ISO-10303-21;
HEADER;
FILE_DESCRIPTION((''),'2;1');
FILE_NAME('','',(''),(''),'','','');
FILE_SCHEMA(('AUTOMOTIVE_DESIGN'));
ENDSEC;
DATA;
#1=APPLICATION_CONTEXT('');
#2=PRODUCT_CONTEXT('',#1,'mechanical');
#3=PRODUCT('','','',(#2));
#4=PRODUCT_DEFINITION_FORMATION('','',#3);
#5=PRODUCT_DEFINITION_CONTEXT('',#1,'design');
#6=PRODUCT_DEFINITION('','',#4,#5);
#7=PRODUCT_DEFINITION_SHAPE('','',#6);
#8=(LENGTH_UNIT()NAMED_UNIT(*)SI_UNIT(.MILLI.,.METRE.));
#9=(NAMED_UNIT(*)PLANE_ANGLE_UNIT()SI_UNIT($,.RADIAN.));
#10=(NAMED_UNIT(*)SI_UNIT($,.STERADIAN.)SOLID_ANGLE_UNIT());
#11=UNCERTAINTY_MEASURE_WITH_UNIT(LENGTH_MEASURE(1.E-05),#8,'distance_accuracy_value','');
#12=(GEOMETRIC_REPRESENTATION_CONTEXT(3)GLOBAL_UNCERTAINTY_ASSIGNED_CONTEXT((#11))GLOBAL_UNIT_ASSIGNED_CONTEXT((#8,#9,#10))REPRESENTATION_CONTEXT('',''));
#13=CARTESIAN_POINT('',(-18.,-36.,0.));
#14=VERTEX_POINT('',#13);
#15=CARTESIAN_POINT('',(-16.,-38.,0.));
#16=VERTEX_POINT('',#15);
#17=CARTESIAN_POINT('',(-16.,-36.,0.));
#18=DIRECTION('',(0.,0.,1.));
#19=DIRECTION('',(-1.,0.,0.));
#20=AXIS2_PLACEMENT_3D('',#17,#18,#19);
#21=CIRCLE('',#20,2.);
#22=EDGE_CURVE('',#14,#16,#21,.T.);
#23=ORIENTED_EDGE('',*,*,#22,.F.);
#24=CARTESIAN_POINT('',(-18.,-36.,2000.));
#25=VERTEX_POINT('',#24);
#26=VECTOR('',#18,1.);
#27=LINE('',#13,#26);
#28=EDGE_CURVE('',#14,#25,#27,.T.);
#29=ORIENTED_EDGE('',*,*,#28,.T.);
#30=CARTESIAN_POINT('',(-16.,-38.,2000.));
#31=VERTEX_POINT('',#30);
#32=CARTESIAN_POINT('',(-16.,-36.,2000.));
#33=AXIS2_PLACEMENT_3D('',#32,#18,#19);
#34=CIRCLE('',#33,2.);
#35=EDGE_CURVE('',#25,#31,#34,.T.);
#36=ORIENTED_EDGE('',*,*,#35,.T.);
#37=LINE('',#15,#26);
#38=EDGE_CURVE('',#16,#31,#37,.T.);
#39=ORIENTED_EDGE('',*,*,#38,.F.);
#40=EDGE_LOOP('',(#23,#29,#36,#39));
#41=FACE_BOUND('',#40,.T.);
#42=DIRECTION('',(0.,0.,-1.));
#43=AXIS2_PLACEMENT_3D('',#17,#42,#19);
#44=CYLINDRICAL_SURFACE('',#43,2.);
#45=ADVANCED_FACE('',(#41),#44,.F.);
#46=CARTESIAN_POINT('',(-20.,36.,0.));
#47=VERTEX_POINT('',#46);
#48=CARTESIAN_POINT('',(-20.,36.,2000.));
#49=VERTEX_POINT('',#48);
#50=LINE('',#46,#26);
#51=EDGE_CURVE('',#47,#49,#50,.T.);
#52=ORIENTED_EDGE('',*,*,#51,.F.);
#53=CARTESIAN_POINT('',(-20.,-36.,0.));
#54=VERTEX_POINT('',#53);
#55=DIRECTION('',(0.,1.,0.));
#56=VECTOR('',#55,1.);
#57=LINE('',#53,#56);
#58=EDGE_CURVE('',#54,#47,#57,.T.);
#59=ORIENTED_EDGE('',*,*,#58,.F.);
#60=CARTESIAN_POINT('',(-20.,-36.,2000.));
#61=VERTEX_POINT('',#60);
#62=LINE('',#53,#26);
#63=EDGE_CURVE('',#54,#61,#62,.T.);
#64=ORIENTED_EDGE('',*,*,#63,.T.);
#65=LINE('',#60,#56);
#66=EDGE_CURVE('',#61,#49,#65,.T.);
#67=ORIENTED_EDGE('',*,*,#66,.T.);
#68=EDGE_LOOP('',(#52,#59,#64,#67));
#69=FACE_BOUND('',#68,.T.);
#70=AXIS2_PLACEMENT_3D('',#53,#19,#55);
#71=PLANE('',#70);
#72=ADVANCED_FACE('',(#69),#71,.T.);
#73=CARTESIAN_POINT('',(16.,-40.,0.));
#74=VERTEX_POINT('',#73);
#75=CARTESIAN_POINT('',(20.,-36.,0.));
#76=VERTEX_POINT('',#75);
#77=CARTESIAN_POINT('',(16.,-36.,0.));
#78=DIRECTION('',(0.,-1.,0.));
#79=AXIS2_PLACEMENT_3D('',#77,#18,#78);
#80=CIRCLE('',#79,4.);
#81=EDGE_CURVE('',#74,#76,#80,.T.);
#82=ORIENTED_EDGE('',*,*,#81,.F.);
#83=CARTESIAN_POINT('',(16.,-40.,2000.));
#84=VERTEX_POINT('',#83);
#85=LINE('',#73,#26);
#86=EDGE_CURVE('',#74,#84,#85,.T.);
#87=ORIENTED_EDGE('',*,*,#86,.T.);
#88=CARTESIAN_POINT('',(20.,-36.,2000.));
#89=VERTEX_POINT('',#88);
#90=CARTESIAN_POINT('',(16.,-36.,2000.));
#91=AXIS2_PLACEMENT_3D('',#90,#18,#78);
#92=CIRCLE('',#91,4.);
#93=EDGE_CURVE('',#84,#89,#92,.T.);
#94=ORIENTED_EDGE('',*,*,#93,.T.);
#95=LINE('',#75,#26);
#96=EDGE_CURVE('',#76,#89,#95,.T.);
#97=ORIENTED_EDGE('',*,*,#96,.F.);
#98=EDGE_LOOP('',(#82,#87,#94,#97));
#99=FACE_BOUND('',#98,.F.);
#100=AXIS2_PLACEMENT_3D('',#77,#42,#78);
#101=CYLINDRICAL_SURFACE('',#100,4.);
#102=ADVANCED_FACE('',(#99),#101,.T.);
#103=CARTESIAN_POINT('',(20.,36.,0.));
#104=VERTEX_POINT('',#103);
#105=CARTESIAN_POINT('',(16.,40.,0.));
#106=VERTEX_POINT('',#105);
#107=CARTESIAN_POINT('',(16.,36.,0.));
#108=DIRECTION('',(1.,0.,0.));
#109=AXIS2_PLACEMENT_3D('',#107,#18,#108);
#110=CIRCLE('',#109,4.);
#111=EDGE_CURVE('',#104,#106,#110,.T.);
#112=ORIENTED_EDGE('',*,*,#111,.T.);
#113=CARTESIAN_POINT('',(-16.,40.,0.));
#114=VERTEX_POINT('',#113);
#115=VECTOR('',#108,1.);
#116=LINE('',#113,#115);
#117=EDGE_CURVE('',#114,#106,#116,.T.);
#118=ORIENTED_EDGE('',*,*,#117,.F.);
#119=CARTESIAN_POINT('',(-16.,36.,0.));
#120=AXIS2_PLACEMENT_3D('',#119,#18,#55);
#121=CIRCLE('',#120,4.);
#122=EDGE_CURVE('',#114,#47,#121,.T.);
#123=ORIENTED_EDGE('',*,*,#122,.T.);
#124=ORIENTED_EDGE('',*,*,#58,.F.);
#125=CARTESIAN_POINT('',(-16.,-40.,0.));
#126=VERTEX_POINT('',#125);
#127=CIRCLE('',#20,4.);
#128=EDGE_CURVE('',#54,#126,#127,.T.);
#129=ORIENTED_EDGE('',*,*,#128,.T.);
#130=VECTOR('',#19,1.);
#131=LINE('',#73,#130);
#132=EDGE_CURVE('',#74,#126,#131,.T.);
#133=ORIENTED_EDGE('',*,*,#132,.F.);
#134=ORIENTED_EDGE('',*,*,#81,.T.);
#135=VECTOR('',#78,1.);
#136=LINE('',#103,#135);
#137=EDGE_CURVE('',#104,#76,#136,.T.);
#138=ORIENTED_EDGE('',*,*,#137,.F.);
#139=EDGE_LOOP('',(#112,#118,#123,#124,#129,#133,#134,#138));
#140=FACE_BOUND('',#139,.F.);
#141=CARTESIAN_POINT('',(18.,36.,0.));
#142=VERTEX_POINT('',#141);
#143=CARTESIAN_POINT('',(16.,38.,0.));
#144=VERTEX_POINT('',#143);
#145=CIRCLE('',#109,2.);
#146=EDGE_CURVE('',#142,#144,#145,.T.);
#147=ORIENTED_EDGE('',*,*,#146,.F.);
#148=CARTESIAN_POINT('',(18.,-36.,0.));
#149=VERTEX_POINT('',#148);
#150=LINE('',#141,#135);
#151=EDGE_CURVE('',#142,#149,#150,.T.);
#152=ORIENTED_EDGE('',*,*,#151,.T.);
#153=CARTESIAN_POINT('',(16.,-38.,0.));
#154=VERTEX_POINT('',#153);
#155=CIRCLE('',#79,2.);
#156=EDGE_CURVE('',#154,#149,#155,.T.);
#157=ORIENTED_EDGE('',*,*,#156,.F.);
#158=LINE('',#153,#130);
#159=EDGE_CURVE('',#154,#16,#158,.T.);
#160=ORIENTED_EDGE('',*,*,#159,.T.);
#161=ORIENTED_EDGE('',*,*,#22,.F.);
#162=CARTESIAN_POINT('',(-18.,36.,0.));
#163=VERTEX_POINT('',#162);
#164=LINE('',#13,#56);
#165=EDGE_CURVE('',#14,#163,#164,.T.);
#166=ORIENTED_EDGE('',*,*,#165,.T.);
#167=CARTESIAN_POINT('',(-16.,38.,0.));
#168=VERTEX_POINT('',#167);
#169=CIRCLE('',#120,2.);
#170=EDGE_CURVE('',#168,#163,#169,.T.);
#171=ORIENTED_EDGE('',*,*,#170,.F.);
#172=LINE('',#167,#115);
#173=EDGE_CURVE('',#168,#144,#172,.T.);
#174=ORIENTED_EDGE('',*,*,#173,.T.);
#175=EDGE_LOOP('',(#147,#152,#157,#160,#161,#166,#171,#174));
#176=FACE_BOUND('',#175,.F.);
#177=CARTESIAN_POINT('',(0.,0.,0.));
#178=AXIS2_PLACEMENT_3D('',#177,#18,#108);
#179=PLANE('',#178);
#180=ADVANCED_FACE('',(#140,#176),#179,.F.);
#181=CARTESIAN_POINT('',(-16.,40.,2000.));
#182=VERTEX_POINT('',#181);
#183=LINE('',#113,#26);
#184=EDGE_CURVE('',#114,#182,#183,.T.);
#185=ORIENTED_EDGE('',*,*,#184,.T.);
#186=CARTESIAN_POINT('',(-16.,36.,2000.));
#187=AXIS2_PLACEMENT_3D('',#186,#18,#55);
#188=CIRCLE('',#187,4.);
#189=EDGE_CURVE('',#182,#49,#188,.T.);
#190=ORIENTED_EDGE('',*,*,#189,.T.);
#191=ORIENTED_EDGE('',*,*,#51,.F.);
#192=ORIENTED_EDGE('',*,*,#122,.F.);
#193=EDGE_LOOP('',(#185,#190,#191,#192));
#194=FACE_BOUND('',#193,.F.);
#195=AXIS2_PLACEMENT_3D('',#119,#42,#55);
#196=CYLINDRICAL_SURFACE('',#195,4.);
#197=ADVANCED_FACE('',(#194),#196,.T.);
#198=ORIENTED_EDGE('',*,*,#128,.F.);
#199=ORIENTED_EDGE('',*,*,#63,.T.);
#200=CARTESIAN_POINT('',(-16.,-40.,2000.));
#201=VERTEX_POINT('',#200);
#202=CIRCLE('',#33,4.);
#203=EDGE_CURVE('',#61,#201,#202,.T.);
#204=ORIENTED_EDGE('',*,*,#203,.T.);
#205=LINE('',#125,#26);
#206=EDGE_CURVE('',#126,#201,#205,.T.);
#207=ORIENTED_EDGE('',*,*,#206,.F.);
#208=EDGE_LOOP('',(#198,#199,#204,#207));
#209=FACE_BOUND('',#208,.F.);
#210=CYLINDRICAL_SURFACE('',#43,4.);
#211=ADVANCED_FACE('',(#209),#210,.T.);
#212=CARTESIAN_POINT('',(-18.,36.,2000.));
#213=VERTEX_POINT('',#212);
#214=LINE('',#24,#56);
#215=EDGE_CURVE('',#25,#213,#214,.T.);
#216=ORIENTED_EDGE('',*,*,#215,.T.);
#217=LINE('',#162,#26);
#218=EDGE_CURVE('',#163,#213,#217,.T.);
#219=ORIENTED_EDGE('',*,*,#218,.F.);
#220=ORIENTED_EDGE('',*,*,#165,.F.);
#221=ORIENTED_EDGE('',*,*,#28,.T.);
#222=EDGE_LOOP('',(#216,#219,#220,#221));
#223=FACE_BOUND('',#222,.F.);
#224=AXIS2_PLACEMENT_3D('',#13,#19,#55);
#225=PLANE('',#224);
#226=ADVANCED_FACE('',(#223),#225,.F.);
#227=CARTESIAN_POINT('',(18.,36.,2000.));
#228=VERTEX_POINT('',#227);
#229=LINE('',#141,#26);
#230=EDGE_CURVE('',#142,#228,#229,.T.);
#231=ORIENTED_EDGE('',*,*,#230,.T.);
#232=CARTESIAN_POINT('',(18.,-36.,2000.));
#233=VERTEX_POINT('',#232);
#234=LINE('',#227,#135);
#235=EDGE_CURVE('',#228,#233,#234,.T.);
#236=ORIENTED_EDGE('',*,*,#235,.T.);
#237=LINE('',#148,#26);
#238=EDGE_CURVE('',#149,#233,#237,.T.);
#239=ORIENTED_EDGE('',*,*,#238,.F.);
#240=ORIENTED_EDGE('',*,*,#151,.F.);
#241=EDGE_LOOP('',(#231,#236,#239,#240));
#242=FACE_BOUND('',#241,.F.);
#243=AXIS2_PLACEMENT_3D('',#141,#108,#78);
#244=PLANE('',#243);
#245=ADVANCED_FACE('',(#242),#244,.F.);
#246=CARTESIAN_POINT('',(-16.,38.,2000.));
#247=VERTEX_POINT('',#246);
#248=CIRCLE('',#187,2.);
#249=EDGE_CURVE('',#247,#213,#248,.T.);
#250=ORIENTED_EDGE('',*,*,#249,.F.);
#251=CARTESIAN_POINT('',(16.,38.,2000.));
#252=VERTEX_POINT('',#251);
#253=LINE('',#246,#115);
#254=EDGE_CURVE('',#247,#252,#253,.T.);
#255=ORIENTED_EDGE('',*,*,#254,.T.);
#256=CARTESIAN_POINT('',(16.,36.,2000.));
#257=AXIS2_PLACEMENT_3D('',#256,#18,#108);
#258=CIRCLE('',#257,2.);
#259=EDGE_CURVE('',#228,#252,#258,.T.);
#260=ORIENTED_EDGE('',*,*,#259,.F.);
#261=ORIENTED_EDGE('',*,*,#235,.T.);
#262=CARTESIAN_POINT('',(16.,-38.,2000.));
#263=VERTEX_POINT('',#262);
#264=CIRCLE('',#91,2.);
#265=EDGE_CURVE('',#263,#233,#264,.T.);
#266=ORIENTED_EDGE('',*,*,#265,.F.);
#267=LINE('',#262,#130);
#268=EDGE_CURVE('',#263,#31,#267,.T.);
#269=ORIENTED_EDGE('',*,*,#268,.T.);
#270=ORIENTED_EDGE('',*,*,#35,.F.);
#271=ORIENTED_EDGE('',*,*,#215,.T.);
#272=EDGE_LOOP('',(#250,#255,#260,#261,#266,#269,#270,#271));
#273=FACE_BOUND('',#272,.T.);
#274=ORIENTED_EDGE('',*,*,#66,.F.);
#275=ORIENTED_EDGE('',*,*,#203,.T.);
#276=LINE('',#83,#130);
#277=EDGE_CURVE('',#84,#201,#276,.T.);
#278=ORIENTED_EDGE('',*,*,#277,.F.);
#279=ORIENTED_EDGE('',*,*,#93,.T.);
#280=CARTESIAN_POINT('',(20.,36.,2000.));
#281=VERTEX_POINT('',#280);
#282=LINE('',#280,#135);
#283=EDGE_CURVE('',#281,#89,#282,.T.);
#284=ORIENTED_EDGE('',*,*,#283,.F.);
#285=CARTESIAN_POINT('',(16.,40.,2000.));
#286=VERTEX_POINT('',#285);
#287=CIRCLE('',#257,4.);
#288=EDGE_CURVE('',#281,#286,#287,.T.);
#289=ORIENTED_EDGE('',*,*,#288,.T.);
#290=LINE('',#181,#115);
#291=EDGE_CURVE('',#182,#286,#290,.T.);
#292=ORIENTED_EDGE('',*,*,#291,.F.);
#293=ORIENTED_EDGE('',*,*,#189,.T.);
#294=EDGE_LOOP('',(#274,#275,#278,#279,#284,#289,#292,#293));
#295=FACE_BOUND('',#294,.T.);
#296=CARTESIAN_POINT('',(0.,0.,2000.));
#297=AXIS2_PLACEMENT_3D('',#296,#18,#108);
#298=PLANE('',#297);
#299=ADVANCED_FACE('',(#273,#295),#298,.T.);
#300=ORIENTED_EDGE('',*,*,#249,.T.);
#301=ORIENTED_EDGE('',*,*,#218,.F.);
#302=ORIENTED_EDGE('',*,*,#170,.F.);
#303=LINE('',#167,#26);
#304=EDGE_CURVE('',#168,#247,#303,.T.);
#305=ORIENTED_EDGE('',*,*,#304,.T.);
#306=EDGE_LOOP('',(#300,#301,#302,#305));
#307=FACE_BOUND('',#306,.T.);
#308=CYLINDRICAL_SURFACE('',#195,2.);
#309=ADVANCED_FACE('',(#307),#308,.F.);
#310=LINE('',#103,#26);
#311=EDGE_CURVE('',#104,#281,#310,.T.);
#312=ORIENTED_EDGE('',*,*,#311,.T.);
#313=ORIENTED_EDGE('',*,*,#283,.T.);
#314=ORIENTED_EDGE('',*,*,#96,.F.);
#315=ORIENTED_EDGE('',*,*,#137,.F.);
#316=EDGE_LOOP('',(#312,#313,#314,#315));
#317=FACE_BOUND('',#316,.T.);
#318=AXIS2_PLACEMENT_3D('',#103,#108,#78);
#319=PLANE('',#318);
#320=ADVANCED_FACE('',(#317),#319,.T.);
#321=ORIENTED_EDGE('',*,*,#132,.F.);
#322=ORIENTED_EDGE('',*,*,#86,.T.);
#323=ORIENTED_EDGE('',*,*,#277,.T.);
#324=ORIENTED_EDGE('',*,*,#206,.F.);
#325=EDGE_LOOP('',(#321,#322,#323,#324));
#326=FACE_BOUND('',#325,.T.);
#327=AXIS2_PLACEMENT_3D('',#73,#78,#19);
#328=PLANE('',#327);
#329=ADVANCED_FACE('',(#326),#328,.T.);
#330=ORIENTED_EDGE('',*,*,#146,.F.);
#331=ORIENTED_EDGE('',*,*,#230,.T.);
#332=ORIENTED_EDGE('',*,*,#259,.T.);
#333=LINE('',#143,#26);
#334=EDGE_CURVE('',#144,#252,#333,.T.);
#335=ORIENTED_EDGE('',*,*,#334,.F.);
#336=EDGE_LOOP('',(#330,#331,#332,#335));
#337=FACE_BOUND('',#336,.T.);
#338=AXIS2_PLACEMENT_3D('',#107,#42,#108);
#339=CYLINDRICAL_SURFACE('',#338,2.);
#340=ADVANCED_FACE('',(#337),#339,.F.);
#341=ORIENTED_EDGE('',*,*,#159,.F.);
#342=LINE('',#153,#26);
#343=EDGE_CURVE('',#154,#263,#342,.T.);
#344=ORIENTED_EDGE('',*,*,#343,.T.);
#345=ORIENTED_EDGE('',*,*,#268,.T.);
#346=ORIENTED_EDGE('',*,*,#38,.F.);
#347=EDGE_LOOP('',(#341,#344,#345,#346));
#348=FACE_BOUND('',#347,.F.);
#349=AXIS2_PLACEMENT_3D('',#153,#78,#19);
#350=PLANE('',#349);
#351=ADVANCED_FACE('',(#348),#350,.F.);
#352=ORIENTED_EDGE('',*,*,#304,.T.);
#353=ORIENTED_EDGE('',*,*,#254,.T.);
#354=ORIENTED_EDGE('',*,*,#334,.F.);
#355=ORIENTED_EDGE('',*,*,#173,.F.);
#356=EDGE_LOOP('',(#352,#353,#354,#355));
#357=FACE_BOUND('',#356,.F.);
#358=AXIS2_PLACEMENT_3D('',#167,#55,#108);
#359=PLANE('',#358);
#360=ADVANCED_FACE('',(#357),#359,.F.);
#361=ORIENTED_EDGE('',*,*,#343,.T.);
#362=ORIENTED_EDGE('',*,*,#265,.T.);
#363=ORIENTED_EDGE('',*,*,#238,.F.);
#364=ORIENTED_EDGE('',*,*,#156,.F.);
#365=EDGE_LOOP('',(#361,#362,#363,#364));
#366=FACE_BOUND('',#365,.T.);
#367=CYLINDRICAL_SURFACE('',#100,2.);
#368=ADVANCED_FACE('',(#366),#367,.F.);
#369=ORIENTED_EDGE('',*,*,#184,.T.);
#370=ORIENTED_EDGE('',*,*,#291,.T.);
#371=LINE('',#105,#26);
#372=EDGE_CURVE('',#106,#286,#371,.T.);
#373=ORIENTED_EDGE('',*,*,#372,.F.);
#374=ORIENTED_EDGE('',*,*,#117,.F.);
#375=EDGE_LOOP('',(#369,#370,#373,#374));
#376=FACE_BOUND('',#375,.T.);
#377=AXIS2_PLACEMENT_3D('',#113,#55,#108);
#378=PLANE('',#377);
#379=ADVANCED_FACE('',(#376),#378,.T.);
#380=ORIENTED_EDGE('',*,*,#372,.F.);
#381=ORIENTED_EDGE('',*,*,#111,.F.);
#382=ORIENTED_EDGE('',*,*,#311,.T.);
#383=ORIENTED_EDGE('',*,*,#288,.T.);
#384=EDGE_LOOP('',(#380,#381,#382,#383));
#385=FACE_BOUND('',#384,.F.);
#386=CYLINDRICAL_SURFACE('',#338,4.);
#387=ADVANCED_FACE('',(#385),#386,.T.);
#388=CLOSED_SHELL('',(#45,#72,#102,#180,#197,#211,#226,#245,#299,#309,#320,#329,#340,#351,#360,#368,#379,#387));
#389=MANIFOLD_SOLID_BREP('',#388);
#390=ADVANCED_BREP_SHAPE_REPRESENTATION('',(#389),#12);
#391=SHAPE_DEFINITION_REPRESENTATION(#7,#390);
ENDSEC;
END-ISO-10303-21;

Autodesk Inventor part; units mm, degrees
ref_plane "YZ Plane" through (0, 0, 0) normal (1, 0, 0) x (0, 1, 0)
ref_plane "Start Plane" through (0, 0, 0) normal (0, 0, 1) x (1, 0, 0)
ref_plane "End Plane" through (0, 0, 2000) normal (0, 0, 1) x (1, 0, 0)
sketch "Sketch" plane through (0, 0, 0) normal (0, 0, 1) x (1, 0, 0)
  line L0 (-20, -36) -> (-20, 36)
  line L1 (-16, 40) -> (16, 40)
  line L2 (20, 36) -> (20, -36)
  line L3 (16, -40) -> (-16, -40)
  arc A0 (-20, -36) -> (-16, -40) centre (-16, -36) ccw
  arc A1 (20, 36) -> (16, 40) centre (16, 36) ccw
  arc A2 (-16, 40) -> (-20, 36) centre (-16, 36) ccw
  arc A3 (16, -40) -> (20, -36) centre (16, -36) ccw
  arc A4 (-16, 38) -> (-18, 36) centre (-16, 36) ccw
  line L4 (-16, 38) -> (16, 38)
  arc A5 (18, 36) -> (16, 38) centre (16, 36) ccw
  line L5 (18, 36) -> (18, -36)
  arc A6 (16, -38) -> (18, -36) centre (16, -36) ccw
  line L6 (16, -38) -> (-16, -38)
  arc A7 (-18, -36) -> (-16, -38) centre (-16, -36) ccw
  line L7 (-18, -36) -> (-18, 36)
  line L8 (0, 57.1598) -> (0, -57.1598) construction
  line L9 (-29.1598, 0) -> (29.1598, 0) construction
  dimension "d7" = 4
  dimension "d9" = 40
  dimension "d11" = 80
  dimension "d12" = 2
  dimension "d15" = 20
  dimension "d16" = 40
extrude "Body" add sketch "Sketch" along normal up to surface (2000 mm away) from surface at 0
sketch "Sketch3" plane through (0, 0, 0) normal (0, 0, 1) x (1, 0, 0)
  line L0 (0, 0) -> (10, 0)
ref_plane "Work Plane3" through (0, 0, 0) normal (0, -1, 0) x (1, 0, 0)
sketch "Sketch4" plane through (0, 0, 0) normal (0, -1, 0) x (1, 0, 0)
  line L0 (-2, 0) -> (12, 0) projected
  line L1 (-2, 2000) -> (12, 2000) projected
  dimension "d18" = 2000
equation "\"d7\" = G_IR"
equation "\"d9\" = G_W"
equation "\"d11\" = G_H"
equation "\"d12\" = G_T"
equation "\"d15\" = 0.5 * d9"
equation "\"d16\" = 0.5 * d11"
equation "\"d3\" = G_L"
equation "\"G_W\" = 40"
equation "\"G_H\" = 80"
equation "\"G_T\" = 2"
equation "\"G_IR\" = 4"
equation "\"G_L\" = d18"
equation "\"G_OFFSET_START\" = 0"
equation "\"G_OFFSET_END\" = 0"
properties part number "ISO 4019 - 80x40x2 - 2000" material "Steel, Mild"
